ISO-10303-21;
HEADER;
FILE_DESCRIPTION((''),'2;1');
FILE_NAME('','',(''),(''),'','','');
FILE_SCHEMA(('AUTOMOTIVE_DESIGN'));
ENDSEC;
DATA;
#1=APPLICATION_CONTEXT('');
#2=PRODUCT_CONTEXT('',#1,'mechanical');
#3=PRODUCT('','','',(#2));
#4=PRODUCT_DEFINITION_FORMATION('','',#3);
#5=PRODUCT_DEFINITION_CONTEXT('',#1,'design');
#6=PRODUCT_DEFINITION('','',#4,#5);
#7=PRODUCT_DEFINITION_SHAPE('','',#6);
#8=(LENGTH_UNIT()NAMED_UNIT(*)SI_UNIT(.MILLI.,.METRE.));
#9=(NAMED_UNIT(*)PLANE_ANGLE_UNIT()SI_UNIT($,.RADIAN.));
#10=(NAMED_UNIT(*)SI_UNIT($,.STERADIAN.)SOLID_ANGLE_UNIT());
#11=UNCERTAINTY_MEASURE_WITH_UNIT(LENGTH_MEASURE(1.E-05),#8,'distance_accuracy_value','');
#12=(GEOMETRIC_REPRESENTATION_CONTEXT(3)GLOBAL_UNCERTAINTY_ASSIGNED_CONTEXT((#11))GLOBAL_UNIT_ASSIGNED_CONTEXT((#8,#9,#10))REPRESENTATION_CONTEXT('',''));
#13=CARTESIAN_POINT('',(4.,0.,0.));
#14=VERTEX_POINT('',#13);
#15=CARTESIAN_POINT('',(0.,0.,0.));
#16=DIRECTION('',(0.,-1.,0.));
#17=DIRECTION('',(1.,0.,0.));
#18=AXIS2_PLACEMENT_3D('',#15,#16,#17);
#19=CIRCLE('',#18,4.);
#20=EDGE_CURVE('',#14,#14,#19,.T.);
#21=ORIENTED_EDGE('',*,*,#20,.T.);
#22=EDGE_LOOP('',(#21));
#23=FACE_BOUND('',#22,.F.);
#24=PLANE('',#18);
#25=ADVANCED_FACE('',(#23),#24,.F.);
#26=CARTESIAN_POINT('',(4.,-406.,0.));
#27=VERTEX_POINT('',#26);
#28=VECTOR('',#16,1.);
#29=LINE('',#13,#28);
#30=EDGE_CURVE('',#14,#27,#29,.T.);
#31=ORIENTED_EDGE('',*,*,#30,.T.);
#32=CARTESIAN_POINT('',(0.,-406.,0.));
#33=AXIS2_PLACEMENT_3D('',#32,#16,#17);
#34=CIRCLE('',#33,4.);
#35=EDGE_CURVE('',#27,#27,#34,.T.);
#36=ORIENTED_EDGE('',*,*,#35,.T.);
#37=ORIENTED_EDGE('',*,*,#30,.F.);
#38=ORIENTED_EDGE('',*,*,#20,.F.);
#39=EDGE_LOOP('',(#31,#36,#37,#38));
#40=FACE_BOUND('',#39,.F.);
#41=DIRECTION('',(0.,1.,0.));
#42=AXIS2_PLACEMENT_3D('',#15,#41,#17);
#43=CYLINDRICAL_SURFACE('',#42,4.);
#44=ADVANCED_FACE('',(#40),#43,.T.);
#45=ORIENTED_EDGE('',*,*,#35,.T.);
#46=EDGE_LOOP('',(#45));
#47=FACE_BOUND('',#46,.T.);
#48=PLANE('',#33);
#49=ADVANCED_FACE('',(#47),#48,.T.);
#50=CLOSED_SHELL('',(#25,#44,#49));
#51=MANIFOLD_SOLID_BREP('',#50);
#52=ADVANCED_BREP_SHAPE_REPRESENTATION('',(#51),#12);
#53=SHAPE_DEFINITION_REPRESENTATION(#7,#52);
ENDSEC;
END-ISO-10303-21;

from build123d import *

# Parameters (mm, degrees)
SKETCH_R  = 4
PAD_DEPTH = 406


with BuildPart() as part:
    # Sketch → Pad (new body)
    with BuildSketch(Plane.XZ):
        Circle(SKETCH_R)
    extrude(amount=PAD_DEPTH)


solid = part.part
